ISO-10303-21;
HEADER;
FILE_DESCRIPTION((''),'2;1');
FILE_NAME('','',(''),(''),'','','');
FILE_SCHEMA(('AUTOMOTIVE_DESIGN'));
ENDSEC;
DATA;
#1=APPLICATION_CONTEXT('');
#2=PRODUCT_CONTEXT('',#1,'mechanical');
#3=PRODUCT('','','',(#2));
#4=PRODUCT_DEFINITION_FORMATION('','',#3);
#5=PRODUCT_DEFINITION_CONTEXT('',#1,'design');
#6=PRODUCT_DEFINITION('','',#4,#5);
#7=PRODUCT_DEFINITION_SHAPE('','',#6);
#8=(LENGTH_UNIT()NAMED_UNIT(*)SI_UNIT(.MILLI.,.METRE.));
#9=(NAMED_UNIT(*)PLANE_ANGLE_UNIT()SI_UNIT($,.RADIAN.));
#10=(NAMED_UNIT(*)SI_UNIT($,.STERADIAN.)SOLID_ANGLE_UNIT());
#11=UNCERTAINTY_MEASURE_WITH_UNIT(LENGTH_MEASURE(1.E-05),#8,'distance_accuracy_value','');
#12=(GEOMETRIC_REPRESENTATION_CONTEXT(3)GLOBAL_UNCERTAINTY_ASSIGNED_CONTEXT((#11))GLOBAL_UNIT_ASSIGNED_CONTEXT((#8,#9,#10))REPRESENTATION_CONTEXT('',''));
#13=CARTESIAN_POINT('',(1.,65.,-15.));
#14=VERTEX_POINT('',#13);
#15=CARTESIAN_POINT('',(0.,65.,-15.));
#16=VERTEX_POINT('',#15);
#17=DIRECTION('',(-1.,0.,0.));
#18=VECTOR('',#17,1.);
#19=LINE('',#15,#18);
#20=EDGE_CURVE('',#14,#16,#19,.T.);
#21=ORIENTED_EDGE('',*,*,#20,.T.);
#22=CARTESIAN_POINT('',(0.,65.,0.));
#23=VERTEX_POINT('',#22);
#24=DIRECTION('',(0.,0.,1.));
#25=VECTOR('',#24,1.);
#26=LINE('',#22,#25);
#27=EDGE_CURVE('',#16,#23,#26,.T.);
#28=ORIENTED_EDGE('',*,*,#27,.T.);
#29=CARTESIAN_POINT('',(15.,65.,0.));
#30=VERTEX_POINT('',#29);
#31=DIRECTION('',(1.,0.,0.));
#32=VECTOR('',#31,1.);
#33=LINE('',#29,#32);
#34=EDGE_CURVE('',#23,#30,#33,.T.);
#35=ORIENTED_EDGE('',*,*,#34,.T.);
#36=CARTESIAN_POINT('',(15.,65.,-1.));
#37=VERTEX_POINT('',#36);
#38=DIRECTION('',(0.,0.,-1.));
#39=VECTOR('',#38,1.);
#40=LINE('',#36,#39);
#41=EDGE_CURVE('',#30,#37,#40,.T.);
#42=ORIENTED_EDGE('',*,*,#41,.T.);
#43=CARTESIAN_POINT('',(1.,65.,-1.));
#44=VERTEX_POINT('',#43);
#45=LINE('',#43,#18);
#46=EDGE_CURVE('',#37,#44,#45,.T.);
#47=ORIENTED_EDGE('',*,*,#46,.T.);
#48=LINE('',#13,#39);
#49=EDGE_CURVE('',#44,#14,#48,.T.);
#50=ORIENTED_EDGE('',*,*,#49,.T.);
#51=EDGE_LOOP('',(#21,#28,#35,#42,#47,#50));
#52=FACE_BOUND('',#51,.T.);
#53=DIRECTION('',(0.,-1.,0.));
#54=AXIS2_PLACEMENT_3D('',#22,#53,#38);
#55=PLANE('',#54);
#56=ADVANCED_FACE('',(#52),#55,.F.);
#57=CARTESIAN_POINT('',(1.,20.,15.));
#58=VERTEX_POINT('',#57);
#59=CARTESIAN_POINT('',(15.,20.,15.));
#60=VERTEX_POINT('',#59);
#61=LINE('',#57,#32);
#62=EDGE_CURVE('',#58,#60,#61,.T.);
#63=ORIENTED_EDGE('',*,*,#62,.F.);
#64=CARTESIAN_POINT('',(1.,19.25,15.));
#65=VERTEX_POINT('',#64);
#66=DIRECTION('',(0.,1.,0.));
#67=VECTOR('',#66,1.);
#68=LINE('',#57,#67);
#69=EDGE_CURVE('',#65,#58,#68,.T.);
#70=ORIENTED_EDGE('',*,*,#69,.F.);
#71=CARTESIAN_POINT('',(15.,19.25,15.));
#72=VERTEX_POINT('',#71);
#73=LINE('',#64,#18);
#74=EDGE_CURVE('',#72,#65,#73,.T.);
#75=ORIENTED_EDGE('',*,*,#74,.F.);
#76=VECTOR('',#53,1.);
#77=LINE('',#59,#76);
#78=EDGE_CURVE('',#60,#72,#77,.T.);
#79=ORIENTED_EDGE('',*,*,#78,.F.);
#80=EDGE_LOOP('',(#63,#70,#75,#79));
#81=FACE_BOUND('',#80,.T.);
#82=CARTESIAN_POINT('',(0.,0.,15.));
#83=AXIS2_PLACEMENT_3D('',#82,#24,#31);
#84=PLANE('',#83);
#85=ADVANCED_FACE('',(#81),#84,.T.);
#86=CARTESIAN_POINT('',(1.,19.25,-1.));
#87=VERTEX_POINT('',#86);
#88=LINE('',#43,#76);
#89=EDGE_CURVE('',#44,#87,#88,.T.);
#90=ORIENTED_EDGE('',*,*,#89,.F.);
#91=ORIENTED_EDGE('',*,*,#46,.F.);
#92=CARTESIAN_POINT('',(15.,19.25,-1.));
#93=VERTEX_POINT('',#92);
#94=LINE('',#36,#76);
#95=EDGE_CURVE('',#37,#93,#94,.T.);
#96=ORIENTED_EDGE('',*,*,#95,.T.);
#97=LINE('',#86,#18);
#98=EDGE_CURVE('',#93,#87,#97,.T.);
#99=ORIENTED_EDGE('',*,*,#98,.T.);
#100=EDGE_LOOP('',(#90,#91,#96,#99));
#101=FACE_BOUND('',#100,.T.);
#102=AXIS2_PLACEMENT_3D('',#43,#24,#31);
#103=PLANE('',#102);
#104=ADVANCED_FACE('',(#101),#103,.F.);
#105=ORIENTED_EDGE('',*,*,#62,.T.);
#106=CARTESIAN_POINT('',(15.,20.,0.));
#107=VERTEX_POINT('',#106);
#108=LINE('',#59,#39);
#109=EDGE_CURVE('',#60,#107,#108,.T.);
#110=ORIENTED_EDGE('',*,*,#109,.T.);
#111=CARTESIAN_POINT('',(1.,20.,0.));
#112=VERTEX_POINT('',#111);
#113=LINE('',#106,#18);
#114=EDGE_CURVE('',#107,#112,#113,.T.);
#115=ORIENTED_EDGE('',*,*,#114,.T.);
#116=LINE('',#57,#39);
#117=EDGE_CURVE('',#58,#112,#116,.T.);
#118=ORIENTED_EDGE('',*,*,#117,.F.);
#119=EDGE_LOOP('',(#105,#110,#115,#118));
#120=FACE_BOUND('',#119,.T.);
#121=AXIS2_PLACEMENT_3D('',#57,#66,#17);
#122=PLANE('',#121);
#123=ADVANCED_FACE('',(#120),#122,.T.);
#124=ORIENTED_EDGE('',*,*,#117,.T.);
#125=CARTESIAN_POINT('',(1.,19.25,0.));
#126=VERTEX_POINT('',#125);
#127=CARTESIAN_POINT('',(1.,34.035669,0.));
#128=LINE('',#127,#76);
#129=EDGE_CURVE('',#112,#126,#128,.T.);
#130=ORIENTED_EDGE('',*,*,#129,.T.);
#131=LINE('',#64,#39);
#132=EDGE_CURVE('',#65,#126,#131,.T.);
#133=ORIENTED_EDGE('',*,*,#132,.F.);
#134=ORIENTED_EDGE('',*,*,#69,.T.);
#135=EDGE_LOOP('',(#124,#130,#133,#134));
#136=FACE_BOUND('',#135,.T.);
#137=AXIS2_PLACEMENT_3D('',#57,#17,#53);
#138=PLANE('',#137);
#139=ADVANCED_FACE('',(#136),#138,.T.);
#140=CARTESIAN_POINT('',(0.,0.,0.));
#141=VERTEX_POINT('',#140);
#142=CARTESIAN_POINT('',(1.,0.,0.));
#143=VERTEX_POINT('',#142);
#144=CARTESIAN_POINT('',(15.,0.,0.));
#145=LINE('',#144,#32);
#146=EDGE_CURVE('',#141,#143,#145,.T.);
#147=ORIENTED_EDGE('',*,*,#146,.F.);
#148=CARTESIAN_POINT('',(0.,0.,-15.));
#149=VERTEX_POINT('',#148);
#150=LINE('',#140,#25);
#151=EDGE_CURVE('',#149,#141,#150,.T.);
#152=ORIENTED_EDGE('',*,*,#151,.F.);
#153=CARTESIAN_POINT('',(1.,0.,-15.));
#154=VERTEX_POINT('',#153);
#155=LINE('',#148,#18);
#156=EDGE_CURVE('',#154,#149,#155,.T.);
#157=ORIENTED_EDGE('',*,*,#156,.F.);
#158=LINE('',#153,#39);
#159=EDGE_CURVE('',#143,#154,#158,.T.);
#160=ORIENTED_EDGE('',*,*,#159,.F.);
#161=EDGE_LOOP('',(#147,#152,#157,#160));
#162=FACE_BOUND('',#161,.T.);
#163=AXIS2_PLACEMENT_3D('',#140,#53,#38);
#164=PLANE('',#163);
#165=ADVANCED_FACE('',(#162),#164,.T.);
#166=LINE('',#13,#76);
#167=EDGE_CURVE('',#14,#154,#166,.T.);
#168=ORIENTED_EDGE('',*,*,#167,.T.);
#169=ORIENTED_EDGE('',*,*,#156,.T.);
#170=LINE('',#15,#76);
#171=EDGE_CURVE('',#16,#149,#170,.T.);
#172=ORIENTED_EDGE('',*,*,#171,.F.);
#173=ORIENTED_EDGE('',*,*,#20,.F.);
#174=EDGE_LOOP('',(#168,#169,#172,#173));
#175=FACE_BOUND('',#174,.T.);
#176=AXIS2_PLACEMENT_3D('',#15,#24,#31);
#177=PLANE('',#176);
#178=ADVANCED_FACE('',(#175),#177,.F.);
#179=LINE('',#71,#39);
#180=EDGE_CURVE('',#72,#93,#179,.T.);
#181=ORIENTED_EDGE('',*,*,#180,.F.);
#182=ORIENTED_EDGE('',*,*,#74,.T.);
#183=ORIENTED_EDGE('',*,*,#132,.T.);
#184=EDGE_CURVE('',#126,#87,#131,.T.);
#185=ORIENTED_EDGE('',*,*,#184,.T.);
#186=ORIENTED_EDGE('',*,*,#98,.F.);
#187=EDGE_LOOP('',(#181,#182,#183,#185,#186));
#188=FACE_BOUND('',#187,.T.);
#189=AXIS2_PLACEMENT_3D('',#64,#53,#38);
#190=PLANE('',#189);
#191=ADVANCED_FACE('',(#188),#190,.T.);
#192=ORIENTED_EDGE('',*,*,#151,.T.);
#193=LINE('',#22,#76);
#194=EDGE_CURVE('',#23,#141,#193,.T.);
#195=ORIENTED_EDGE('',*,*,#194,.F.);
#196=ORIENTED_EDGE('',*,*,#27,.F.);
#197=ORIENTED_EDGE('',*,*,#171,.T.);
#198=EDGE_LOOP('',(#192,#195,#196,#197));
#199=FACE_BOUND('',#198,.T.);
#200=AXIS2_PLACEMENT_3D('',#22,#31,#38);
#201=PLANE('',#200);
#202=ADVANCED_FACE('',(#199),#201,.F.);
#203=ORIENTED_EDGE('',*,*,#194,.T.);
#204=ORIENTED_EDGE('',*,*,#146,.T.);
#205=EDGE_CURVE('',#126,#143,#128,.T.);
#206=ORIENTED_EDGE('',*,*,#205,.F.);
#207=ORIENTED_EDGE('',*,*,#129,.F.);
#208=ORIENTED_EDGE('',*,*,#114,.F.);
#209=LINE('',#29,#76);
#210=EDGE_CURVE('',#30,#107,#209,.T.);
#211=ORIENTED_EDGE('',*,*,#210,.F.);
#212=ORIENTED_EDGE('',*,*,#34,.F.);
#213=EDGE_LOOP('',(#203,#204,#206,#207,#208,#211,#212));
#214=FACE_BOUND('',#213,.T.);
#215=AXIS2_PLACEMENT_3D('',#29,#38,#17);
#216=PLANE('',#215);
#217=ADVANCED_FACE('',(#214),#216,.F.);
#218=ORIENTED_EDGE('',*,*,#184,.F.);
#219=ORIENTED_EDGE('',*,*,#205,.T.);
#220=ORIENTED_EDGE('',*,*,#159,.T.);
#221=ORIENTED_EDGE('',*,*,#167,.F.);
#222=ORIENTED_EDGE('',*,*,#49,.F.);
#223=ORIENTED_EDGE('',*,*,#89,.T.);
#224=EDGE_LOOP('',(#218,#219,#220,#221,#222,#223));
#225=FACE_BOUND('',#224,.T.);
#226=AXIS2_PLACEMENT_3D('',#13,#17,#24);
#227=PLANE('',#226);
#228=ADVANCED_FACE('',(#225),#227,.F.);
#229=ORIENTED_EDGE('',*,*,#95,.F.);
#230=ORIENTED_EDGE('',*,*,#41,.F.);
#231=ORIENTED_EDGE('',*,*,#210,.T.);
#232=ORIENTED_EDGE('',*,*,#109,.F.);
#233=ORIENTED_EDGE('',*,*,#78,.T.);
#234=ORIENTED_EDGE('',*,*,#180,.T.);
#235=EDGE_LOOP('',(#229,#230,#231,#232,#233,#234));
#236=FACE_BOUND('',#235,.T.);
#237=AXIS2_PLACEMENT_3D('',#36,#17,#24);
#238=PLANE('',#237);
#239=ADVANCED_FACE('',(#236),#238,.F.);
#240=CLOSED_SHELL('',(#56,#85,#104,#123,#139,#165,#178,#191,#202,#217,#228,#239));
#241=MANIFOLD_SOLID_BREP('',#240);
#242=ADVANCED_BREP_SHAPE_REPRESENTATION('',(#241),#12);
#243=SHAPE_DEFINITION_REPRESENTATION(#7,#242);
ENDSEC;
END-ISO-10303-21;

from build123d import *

# Parameters (mm, degrees)
EXTRUDE_1_DEPTH     = 65
CUT_EXTRUDE_START   = -20
SKETCH_6_W          = 14
SKETCH_6_H          = 1
CUT_EXTRUDE_2_DEPTH = 20
SKETCH_7_W          = 14
SKETCH_7_H          = 0.75
EXTRUDE_2_DEPTH     = 16


with BuildPart() as part:
    # Эскиз1 → Бобышка-Вытянуть1 (new body)
    with BuildSketch(Plane(origin=(0, 0, 0), x_dir=(1, 0, 0), z_dir=(0, 1, 0))):
        Polygon((0, 0), (0, 15), (1, 15), (1, 1), (15, 1), (15, 0), align=None)
    extrude(amount=EXTRUDE_1_DEPTH)

    # Эскиз6 → Вырез-Вытянуть2 (cut)
    with BuildSketch(Plane.XZ.offset(CUT_EXTRUDE_START)):
        with Locations((8, -0.5)):
            Rectangle(SKETCH_6_W, SKETCH_6_H)
    extrude(amount=CUT_EXTRUDE_2_DEPTH, mode=Mode.SUBTRACT)

    # Эскиз7 → Бобышка-Вытянуть2 (add)
    with BuildSketch(Plane(origin=(0, 0, -1), x_dir=(-1, 0, 0), z_dir=(0, 0, -1))):
        with Locations((-8, 19.625)):
            Rectangle(SKETCH_7_W, SKETCH_7_H)
    extrude(amount=-EXTRUDE_2_DEPTH)


solid = part.part
